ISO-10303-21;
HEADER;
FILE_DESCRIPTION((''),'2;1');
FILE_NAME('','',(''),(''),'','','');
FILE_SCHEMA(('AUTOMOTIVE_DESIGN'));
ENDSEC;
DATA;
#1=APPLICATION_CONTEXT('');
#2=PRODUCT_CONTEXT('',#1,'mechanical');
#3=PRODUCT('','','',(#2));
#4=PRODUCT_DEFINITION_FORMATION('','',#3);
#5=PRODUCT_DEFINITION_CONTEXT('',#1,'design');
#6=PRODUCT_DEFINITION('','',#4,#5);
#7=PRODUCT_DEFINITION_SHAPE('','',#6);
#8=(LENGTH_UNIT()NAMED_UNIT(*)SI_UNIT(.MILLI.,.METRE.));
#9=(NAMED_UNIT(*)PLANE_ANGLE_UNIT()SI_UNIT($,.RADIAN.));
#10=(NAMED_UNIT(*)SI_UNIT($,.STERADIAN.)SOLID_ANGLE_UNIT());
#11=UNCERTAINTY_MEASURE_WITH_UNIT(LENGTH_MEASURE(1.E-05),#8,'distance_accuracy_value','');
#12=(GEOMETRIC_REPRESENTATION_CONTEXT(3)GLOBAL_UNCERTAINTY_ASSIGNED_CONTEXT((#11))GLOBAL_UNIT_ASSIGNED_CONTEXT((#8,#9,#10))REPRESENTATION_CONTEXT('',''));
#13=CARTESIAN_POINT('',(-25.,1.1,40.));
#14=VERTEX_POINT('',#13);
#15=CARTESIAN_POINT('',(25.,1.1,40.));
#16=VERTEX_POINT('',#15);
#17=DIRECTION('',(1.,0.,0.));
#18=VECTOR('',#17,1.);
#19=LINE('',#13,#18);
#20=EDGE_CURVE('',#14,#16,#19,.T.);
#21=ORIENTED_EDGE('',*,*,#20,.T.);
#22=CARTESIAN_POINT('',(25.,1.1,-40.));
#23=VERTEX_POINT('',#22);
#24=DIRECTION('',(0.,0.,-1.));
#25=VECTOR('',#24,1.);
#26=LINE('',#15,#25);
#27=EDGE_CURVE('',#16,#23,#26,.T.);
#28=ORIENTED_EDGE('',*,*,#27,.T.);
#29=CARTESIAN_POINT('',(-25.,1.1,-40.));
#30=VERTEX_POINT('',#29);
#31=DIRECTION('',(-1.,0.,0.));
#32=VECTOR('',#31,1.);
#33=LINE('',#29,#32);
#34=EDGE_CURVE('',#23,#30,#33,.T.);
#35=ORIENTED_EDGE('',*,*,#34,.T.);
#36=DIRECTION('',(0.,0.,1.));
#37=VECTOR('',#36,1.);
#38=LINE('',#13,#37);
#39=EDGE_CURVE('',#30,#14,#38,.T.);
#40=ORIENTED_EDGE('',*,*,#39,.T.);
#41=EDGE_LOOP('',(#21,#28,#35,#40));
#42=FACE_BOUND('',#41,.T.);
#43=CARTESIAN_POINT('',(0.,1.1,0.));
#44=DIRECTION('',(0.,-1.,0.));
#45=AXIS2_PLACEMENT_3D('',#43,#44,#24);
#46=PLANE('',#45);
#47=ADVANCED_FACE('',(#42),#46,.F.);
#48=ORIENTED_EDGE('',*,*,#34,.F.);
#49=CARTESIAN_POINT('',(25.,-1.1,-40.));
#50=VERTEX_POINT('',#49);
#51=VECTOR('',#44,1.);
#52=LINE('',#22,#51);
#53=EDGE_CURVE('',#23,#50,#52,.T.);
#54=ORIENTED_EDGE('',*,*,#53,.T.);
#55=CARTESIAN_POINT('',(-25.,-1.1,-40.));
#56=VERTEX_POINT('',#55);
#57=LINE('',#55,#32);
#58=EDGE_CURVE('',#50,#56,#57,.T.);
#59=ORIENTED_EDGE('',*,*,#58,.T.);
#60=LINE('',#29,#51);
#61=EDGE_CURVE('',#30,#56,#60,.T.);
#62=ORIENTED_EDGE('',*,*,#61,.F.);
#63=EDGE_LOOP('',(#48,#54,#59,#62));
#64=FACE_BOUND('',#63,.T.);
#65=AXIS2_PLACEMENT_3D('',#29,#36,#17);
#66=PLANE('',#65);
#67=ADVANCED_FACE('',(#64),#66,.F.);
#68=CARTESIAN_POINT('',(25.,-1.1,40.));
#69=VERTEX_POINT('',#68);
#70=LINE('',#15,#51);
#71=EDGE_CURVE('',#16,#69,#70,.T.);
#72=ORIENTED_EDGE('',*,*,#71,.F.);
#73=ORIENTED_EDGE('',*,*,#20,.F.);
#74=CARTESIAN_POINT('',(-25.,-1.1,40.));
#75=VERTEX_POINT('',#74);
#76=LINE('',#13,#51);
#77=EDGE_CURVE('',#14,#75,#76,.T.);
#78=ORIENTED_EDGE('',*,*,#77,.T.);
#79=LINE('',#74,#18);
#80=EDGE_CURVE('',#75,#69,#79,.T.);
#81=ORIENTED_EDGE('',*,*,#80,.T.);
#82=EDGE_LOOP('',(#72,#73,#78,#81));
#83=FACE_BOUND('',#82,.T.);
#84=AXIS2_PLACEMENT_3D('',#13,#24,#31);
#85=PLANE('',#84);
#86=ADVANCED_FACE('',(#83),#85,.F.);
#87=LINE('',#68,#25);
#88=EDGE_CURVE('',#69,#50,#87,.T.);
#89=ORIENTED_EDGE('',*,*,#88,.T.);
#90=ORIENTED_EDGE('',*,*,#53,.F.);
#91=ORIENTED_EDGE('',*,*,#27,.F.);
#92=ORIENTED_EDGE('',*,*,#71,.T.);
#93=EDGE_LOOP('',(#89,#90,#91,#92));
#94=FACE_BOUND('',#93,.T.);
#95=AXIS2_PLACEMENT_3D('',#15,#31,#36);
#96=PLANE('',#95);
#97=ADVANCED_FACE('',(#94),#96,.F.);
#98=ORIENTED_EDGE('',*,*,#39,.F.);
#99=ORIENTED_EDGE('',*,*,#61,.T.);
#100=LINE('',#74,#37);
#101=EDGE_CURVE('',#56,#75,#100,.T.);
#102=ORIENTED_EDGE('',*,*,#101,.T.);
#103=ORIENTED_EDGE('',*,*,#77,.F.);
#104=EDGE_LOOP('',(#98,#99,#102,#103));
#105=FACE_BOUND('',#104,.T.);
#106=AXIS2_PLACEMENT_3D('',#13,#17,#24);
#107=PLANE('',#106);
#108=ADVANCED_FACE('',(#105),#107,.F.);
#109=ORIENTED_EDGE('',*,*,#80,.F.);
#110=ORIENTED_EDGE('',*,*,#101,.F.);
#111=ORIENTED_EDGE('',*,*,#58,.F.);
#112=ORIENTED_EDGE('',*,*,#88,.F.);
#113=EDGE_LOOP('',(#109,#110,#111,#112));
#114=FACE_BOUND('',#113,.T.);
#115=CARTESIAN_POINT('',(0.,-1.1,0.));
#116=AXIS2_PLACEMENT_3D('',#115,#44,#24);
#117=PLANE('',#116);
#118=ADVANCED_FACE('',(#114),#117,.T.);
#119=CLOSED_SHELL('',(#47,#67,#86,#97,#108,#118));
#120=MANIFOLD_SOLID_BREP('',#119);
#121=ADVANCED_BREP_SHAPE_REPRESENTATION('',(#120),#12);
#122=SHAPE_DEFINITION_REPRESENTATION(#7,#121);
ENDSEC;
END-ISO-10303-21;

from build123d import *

# Parameters (mm, degrees)
SKETCH1_W           = 50
SKETCH1_H           = 80
BOSS_EXTRUDE1_DEPTH = 1.1


with BuildPart() as part:
    # Sketch1 → Boss-Extrude1 (new, symmetric)
    with BuildSketch(Plane(origin=(0, 0, 0), x_dir=(1, 0, 0), z_dir=(0, 1, 0))):
        Rectangle(SKETCH1_W, SKETCH1_H)
    extrude(amount=BOSS_EXTRUDE1_DEPTH, both=True)


solid = part.part
